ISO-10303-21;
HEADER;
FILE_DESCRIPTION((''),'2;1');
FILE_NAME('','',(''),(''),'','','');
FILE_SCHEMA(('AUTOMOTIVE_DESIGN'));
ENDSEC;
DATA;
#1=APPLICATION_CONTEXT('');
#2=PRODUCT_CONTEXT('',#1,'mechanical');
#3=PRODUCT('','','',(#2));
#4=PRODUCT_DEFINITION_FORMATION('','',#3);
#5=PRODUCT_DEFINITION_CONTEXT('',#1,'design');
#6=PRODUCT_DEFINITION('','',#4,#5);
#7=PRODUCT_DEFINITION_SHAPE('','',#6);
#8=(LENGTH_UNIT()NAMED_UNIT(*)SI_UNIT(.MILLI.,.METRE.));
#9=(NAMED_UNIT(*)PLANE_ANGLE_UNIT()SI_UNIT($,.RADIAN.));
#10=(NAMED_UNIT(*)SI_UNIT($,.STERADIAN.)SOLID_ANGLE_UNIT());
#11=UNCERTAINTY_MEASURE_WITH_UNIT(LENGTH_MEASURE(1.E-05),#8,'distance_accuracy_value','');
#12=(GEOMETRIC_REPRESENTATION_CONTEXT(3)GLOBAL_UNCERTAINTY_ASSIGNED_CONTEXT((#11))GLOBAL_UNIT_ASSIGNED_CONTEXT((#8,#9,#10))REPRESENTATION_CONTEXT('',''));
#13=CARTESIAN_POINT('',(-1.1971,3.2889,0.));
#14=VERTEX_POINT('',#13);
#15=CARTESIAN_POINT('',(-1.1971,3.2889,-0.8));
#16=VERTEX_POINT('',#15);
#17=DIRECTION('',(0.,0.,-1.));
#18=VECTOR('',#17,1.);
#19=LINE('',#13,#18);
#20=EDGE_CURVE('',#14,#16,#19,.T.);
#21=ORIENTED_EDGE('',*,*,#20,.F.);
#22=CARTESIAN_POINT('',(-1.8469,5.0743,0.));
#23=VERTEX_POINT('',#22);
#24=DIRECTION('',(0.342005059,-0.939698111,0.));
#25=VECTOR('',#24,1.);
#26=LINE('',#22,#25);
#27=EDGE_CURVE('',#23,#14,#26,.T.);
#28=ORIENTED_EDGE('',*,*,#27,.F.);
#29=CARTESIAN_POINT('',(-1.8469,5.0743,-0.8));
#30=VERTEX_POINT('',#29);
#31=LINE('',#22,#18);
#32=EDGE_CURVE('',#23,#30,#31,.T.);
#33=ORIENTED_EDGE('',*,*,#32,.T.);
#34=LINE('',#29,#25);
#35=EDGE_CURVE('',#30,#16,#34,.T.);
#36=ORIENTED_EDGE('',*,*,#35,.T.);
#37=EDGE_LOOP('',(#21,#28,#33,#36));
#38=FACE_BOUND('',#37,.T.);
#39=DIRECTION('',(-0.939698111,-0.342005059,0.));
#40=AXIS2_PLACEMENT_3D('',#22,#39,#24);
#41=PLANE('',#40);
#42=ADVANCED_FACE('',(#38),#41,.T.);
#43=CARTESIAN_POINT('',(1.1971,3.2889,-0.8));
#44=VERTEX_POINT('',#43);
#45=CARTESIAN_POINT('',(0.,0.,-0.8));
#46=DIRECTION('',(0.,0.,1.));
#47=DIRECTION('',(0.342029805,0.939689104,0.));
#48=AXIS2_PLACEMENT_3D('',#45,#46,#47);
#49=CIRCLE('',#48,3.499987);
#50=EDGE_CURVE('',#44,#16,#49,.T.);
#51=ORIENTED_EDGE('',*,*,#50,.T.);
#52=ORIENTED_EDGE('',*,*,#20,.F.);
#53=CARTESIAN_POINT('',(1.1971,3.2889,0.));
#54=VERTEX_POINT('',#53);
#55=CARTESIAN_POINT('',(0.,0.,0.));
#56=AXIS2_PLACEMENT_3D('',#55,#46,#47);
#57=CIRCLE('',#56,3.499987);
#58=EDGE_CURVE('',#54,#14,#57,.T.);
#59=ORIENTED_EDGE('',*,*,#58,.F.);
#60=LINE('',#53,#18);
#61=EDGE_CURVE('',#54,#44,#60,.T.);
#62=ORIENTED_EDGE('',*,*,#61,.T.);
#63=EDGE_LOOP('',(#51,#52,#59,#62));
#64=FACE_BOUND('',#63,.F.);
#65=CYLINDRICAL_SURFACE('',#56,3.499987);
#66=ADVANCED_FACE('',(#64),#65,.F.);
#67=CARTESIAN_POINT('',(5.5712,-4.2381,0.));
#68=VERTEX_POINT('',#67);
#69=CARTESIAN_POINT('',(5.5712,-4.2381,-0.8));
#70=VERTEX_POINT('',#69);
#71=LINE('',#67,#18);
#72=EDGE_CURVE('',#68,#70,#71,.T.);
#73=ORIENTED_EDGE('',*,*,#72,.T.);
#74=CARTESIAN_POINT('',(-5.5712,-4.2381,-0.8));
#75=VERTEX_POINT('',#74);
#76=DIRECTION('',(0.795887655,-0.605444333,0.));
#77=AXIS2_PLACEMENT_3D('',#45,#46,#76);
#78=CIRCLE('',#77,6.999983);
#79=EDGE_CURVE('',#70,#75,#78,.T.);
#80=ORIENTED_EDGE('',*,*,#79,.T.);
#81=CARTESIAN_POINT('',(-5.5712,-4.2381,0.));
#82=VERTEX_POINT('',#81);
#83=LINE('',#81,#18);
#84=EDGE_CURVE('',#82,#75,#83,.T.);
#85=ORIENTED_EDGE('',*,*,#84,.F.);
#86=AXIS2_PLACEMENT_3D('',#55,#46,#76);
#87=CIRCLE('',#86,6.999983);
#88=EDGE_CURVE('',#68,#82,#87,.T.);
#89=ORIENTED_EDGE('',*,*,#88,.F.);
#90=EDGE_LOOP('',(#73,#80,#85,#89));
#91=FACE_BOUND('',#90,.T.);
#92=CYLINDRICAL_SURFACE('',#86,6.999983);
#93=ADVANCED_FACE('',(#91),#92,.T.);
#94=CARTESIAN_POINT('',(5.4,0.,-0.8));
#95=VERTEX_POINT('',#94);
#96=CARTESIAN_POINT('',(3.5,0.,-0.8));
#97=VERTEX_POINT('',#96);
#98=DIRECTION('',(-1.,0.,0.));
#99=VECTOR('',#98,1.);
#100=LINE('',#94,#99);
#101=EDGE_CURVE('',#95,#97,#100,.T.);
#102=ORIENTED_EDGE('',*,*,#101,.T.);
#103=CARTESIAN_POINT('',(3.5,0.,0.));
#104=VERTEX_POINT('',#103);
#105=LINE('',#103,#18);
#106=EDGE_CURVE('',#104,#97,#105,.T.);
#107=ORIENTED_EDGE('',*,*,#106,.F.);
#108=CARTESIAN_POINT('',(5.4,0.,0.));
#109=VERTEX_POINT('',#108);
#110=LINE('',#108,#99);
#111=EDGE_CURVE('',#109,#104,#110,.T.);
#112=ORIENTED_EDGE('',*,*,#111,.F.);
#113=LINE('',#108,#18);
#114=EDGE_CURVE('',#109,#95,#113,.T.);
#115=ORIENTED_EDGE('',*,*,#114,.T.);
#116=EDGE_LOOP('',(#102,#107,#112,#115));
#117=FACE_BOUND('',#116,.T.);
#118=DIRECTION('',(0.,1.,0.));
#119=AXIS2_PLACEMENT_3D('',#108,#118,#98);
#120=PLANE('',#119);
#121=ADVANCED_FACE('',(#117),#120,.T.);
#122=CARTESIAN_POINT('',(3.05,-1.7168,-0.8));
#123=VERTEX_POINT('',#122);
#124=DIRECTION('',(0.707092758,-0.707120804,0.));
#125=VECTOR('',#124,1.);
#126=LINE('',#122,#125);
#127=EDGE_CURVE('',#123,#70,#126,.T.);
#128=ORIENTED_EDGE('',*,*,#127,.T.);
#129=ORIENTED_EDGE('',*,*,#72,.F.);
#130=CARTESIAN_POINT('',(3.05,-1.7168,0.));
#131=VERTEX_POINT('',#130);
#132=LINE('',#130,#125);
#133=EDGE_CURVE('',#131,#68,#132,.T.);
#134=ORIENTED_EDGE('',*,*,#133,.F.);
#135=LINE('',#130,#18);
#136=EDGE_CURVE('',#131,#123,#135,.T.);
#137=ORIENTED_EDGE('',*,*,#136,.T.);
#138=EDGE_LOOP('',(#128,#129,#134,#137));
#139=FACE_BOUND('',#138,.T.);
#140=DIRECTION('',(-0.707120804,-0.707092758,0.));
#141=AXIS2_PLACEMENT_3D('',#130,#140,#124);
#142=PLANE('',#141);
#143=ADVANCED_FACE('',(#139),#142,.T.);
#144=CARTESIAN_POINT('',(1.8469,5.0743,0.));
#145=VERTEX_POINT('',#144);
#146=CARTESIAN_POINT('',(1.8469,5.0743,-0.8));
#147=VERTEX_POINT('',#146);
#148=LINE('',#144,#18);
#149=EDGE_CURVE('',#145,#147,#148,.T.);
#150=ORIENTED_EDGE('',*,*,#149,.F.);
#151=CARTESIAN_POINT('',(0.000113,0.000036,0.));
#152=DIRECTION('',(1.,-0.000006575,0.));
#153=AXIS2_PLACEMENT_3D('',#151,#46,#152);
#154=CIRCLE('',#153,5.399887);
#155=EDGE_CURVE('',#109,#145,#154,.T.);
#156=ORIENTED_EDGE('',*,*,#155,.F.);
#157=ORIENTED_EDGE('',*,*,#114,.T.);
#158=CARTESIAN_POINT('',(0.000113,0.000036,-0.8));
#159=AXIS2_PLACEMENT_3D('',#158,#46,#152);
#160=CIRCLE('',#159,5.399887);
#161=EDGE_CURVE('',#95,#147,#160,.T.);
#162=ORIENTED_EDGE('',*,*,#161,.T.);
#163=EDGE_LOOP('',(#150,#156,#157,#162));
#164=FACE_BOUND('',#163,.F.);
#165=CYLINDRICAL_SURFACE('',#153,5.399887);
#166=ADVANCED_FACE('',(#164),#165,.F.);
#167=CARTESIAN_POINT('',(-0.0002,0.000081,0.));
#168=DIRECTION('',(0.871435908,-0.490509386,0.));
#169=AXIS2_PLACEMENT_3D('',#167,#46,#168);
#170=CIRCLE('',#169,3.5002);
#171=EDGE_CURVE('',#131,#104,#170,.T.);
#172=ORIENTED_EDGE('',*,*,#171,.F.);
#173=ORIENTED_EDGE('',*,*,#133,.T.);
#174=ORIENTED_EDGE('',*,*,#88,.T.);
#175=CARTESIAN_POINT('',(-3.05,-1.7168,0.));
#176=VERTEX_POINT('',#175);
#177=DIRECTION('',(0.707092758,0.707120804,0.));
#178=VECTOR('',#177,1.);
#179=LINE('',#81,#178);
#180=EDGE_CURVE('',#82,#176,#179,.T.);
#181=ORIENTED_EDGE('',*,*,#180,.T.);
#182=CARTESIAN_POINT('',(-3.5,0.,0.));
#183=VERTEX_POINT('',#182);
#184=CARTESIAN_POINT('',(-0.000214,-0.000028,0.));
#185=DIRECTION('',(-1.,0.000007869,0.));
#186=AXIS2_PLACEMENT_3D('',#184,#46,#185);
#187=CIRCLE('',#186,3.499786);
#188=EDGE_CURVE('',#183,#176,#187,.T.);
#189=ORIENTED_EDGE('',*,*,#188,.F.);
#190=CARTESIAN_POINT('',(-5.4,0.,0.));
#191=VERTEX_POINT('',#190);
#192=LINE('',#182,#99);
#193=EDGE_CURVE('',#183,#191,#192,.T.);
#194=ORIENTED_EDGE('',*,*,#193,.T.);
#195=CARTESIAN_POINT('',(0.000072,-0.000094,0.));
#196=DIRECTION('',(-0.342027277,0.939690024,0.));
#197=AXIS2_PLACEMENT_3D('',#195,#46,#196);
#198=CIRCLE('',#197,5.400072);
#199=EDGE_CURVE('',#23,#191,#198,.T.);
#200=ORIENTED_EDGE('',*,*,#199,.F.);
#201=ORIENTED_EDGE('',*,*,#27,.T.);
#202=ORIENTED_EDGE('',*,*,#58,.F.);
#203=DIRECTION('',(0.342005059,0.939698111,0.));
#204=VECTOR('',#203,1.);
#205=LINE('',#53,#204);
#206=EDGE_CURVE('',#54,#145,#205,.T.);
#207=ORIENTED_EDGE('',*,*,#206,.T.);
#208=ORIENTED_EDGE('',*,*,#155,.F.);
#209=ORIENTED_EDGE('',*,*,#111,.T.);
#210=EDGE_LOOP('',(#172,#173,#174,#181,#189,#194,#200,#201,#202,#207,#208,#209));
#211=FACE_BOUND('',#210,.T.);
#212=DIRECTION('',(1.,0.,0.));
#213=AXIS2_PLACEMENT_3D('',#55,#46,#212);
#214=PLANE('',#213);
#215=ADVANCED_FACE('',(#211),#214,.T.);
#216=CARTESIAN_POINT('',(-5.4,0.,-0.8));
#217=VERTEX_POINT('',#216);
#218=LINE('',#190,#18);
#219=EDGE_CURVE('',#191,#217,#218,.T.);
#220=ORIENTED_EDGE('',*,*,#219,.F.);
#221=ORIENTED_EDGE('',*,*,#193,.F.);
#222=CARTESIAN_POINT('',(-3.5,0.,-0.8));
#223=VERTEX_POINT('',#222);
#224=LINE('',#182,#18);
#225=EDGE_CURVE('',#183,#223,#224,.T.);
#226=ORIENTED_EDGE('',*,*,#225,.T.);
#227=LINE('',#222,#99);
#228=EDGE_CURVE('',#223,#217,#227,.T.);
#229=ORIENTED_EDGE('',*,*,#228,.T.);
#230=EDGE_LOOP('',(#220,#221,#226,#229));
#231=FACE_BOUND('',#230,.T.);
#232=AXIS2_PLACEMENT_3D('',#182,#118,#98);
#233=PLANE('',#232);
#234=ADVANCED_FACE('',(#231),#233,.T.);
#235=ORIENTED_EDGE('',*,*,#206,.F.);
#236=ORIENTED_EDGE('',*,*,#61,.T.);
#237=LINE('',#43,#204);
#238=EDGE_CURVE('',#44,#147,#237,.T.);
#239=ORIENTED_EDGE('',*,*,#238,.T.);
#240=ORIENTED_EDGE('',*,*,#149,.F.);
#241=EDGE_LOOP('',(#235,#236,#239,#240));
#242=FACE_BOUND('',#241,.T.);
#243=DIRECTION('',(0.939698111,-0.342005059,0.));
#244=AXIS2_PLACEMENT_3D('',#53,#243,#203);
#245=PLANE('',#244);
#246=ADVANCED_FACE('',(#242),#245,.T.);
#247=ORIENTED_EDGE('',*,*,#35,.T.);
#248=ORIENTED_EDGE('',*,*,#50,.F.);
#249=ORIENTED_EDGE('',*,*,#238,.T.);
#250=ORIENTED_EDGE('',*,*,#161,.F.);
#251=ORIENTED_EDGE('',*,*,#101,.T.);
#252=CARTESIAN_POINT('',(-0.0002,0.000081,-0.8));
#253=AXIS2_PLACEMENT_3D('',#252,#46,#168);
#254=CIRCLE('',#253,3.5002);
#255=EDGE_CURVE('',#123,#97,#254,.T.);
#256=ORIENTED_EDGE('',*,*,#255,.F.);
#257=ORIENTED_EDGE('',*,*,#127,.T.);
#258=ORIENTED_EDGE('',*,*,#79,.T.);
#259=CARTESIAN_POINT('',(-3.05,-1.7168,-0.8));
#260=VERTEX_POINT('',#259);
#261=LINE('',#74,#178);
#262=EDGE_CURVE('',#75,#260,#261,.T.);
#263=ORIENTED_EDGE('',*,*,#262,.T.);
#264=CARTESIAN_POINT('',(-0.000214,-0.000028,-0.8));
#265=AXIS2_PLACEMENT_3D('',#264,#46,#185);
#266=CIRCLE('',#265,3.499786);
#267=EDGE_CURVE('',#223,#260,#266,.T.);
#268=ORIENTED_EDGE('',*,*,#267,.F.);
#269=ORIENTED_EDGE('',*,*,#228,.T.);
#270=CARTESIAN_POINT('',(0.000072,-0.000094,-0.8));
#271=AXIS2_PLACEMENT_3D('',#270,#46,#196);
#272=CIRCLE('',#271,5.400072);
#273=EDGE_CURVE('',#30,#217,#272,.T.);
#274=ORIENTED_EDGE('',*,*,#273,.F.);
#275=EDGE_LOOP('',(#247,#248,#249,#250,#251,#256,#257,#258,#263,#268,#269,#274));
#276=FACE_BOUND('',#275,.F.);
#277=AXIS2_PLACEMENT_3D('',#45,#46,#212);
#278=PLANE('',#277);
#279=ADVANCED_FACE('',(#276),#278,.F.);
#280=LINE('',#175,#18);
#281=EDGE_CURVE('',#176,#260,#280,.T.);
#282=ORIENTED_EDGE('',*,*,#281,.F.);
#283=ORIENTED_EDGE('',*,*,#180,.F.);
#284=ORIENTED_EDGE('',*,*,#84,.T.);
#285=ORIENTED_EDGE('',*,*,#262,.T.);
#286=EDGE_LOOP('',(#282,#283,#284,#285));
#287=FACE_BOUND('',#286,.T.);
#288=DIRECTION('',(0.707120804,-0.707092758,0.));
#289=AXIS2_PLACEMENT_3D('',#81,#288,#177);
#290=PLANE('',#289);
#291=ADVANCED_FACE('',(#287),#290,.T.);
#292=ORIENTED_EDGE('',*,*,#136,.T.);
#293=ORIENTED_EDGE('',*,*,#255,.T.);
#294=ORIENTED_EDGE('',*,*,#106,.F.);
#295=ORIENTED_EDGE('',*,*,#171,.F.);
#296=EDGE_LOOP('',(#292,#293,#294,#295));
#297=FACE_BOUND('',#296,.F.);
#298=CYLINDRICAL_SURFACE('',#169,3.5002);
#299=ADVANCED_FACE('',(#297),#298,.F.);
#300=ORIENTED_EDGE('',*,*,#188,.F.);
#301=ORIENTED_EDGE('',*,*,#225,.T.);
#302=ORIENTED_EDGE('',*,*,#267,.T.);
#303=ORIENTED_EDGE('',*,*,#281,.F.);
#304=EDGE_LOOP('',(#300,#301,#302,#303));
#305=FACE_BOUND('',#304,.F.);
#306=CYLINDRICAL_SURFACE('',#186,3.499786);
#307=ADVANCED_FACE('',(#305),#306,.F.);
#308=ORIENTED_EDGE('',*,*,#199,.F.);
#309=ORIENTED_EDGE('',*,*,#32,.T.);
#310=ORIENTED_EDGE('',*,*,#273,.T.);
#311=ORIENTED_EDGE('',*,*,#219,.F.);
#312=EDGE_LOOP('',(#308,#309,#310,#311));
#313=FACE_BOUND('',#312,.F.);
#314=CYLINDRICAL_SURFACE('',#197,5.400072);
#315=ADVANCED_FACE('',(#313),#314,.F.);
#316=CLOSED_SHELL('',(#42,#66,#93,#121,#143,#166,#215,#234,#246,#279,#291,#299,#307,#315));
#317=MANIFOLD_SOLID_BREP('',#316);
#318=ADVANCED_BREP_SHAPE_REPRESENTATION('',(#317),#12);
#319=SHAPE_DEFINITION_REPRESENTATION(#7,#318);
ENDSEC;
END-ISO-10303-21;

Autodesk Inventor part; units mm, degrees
sketch "__1" plane through (0, 0, 0) normal (0, 0, 1) x (1, 0, 0)
  arc A0 (5.5712, -4.2381) -> (-5.5712, -4.2381) centre (0, 0) ccw
  line L0 (-5.5712, -4.2381) -> (-3.05, -1.7168)
  arc A1 (-3.5, 0) -> (-3.05, -1.7168) centre (0, 0) ccw
  line L1 (-3.5, 0) -> (-5.4, 0)
  arc A2 (-1.8469, 5.0743) -> (-5.4, 0) centre (0, 0) ccw
  line L2 (-1.8469, 5.0743) -> (-1.1971, 3.2889)
  arc A3 (1.1971, 3.2889) -> (-1.1971, 3.2889) centre (0, 0) ccw
  line L3 (1.1971, 3.2889) -> (1.8469, 5.0743)
  arc A4 (5.4, 0) -> (1.8469, 5.0743) centre (0, 0) ccw
  line L4 (5.4, 0) -> (3.5, 0)
  arc A5 (3.05, -1.7168) -> (3.5, 0) centre (0, 0) ccw
  line L5 (3.05, -1.7168) -> (5.5712, -4.2381)
extrude "Extrusion1" add sketch "__1" against normal blind 0.8
ref_plane "CA3_XY" through (0, 0, -0.4) normal (-1, 0, 0) x (0, 0, -1)
ref_plane "CA3_YZ" through (0, 0, -0.4) normal (0, 0, -1) x (0, -1, 0)
ref_plane "CA3_ZX" through (0, 0, -0.4) normal (0, -1, 0) x (-1, 0, 0)
properties part number "METW-7"
